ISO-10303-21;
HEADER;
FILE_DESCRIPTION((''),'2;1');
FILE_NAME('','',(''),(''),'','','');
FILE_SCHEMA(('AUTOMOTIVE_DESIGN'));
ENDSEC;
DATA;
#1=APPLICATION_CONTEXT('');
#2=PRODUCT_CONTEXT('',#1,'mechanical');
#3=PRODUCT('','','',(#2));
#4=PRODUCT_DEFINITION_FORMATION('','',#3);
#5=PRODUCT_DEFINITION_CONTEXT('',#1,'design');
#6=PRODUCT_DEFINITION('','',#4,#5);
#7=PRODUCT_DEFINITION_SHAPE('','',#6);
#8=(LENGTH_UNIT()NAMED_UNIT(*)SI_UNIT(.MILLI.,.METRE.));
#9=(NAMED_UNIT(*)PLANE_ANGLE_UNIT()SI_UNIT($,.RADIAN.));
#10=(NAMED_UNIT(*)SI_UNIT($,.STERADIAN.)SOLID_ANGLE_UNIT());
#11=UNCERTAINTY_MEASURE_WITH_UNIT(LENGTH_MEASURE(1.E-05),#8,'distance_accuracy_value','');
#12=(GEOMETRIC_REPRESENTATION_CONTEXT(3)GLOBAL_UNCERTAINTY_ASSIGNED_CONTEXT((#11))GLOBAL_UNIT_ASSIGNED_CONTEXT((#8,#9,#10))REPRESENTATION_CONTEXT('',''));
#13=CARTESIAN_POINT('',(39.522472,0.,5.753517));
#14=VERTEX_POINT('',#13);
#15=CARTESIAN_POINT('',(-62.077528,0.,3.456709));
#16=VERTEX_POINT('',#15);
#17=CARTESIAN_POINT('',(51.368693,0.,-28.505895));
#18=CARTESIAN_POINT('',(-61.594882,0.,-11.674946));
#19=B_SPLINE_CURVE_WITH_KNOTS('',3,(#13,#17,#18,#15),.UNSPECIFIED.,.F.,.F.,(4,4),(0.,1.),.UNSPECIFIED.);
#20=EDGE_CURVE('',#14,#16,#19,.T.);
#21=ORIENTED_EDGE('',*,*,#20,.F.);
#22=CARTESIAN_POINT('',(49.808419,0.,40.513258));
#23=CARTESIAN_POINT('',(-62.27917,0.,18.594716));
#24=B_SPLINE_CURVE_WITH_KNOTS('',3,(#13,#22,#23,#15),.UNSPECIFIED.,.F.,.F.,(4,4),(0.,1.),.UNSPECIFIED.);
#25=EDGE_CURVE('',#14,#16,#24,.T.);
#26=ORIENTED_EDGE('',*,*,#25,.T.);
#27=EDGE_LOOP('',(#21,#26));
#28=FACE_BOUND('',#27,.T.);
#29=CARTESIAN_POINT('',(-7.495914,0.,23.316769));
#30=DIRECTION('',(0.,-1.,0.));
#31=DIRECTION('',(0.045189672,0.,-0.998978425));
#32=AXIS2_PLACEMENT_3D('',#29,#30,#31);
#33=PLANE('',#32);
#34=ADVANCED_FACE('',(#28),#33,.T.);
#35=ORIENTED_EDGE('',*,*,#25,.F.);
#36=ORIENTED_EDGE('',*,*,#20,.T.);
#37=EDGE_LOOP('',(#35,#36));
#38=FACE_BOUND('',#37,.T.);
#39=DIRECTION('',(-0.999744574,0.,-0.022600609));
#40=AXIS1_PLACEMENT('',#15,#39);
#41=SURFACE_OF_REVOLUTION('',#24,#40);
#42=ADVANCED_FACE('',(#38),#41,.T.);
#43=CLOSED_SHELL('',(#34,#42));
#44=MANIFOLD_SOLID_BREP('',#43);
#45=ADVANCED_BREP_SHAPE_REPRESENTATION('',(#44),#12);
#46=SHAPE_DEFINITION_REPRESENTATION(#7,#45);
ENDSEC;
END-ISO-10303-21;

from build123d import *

# Parameters (mm, degrees)
REVOLVE1_ANGLE = 180


with BuildPart() as part:
    # Sketch2 → Revolve1 (revolve)
    with BuildSketch(Plane(origin=(0, 0, 0), x_dir=(1, 0, 0), z_dir=(0, 1, 0))):
        with BuildLine():
            Line((-62.077528171, -3.456708638), (39.522471829, -5.753517148))
            add(Edge.make_bspline(
                [(-62.077528171, -3.456708638), (-61.594882202, 11.674946461), (51.368692541, 28.505895448), (39.522471829, -5.753517148)],
                knots=[0, 0, 0, 0, 1, 1, 1, 1], degree=3))
        make_face()
    revolve(axis=Axis((-62.077528171, 0, 3.456708638), (0.9997445736216019, 0, 0.022600608712190415)), revolution_arc=REVOLVE1_ANGLE)


solid = part.part
